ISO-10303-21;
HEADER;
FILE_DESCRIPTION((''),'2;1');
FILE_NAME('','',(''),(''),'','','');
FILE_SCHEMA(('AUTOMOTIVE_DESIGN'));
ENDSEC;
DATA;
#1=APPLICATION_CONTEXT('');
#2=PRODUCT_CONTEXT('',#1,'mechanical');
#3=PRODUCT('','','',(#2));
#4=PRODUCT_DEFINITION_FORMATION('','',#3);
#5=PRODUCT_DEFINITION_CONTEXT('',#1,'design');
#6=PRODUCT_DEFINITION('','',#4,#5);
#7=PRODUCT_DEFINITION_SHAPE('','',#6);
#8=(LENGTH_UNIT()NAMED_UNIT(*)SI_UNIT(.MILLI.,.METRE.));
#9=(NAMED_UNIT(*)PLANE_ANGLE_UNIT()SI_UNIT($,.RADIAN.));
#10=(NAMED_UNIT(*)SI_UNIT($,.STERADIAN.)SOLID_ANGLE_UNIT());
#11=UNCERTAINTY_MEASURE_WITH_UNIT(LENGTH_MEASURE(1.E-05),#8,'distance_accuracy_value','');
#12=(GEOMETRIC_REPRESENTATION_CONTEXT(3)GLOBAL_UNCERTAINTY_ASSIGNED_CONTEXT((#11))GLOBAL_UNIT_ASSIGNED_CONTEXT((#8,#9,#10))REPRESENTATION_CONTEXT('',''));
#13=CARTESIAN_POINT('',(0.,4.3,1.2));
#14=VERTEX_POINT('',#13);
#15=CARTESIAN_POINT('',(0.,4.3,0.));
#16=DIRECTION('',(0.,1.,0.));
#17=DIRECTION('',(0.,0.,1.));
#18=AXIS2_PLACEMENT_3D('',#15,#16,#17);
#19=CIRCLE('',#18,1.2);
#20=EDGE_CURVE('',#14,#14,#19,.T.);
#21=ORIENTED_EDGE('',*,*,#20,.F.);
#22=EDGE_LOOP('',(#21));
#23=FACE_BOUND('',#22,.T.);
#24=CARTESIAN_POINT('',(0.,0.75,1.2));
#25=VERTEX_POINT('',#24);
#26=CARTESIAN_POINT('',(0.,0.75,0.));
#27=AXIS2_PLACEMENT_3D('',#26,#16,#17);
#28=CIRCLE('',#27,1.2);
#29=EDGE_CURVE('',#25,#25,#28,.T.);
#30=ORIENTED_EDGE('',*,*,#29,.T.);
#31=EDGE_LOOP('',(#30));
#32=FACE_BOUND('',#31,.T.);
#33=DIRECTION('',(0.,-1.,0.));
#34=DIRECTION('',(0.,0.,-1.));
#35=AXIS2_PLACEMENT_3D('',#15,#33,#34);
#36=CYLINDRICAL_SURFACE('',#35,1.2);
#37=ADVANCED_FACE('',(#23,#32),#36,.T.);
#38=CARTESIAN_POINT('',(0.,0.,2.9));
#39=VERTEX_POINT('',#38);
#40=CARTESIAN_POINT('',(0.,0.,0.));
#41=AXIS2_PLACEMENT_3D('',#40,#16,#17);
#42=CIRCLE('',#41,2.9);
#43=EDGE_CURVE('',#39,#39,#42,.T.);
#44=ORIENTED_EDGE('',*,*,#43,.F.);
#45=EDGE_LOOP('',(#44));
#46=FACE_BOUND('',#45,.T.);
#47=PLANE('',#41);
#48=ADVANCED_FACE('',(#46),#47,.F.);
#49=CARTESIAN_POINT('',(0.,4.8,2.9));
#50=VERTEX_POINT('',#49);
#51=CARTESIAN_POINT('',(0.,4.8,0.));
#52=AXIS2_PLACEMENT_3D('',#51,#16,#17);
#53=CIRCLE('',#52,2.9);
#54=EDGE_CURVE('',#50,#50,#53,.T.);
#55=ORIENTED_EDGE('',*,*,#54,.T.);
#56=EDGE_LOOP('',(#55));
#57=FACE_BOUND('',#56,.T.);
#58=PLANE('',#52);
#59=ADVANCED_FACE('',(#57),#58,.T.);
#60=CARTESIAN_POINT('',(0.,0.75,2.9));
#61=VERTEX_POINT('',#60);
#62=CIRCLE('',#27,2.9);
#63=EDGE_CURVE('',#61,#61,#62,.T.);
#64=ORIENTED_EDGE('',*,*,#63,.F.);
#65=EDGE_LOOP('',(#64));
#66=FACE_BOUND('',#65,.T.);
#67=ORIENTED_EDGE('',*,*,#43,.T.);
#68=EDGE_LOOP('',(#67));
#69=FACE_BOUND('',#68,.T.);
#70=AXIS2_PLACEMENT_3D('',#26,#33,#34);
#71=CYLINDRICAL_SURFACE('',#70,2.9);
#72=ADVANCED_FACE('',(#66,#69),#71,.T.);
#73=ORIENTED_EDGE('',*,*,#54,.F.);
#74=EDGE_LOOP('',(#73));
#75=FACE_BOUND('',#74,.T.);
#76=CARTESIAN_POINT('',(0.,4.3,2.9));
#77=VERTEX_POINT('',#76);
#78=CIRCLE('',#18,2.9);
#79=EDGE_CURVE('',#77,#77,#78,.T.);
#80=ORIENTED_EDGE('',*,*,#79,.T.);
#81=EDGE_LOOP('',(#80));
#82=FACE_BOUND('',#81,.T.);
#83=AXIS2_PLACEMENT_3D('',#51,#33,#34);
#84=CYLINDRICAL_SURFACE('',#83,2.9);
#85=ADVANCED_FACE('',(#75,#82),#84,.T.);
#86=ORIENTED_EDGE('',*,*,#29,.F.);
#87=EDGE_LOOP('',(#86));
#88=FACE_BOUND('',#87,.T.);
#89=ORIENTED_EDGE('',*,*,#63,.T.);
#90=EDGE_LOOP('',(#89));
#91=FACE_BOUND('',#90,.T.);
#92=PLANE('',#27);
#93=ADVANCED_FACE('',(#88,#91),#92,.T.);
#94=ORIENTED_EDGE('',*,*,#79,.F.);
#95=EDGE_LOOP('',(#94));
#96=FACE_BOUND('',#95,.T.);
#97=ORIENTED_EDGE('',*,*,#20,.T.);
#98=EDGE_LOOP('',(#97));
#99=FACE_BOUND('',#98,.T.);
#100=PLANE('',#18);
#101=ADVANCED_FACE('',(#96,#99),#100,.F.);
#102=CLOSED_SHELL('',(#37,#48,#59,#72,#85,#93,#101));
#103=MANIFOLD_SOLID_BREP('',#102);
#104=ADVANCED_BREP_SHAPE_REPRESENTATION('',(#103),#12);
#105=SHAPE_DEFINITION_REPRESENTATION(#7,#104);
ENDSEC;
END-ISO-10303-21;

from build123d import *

# Parameters (mm, degrees)
SKETCH1_R           = 2.9
BOSS_EXTRUDE1_DEPTH = 0.75
SKETCH2_R           = 1.2
BOSS_EXTRUDE2_DEPTH = 3.55
SKETCH3_R           = 2.9
BOSS_EXTRUDE3_DEPTH = 0.5


with BuildPart() as part:
    # Sketch1 → Boss-Extrude1 (new body)
    with BuildSketch(Plane(origin=(0, 0, 0), x_dir=(1, 0, 0), z_dir=(0, 1, 0))):
        Circle(SKETCH1_R)
    extrude(amount=BOSS_EXTRUDE1_DEPTH)

    # Sketch2 → Boss-Extrude2 (add)
    with BuildSketch(Plane(origin=(0, 0.75, 0), x_dir=(1, 0, 0), z_dir=(0, 1, 0))):
        Circle(SKETCH2_R)
    extrude(amount=BOSS_EXTRUDE2_DEPTH)

    # Sketch3 → Boss-Extrude3 (add)
    with BuildSketch(Plane(origin=(0, 4.3, 0), x_dir=(1, 0, 0), z_dir=(0, 1, 0))):
        Circle(SKETCH3_R)
    extrude(amount=BOSS_EXTRUDE3_DEPTH)


solid = part.part
